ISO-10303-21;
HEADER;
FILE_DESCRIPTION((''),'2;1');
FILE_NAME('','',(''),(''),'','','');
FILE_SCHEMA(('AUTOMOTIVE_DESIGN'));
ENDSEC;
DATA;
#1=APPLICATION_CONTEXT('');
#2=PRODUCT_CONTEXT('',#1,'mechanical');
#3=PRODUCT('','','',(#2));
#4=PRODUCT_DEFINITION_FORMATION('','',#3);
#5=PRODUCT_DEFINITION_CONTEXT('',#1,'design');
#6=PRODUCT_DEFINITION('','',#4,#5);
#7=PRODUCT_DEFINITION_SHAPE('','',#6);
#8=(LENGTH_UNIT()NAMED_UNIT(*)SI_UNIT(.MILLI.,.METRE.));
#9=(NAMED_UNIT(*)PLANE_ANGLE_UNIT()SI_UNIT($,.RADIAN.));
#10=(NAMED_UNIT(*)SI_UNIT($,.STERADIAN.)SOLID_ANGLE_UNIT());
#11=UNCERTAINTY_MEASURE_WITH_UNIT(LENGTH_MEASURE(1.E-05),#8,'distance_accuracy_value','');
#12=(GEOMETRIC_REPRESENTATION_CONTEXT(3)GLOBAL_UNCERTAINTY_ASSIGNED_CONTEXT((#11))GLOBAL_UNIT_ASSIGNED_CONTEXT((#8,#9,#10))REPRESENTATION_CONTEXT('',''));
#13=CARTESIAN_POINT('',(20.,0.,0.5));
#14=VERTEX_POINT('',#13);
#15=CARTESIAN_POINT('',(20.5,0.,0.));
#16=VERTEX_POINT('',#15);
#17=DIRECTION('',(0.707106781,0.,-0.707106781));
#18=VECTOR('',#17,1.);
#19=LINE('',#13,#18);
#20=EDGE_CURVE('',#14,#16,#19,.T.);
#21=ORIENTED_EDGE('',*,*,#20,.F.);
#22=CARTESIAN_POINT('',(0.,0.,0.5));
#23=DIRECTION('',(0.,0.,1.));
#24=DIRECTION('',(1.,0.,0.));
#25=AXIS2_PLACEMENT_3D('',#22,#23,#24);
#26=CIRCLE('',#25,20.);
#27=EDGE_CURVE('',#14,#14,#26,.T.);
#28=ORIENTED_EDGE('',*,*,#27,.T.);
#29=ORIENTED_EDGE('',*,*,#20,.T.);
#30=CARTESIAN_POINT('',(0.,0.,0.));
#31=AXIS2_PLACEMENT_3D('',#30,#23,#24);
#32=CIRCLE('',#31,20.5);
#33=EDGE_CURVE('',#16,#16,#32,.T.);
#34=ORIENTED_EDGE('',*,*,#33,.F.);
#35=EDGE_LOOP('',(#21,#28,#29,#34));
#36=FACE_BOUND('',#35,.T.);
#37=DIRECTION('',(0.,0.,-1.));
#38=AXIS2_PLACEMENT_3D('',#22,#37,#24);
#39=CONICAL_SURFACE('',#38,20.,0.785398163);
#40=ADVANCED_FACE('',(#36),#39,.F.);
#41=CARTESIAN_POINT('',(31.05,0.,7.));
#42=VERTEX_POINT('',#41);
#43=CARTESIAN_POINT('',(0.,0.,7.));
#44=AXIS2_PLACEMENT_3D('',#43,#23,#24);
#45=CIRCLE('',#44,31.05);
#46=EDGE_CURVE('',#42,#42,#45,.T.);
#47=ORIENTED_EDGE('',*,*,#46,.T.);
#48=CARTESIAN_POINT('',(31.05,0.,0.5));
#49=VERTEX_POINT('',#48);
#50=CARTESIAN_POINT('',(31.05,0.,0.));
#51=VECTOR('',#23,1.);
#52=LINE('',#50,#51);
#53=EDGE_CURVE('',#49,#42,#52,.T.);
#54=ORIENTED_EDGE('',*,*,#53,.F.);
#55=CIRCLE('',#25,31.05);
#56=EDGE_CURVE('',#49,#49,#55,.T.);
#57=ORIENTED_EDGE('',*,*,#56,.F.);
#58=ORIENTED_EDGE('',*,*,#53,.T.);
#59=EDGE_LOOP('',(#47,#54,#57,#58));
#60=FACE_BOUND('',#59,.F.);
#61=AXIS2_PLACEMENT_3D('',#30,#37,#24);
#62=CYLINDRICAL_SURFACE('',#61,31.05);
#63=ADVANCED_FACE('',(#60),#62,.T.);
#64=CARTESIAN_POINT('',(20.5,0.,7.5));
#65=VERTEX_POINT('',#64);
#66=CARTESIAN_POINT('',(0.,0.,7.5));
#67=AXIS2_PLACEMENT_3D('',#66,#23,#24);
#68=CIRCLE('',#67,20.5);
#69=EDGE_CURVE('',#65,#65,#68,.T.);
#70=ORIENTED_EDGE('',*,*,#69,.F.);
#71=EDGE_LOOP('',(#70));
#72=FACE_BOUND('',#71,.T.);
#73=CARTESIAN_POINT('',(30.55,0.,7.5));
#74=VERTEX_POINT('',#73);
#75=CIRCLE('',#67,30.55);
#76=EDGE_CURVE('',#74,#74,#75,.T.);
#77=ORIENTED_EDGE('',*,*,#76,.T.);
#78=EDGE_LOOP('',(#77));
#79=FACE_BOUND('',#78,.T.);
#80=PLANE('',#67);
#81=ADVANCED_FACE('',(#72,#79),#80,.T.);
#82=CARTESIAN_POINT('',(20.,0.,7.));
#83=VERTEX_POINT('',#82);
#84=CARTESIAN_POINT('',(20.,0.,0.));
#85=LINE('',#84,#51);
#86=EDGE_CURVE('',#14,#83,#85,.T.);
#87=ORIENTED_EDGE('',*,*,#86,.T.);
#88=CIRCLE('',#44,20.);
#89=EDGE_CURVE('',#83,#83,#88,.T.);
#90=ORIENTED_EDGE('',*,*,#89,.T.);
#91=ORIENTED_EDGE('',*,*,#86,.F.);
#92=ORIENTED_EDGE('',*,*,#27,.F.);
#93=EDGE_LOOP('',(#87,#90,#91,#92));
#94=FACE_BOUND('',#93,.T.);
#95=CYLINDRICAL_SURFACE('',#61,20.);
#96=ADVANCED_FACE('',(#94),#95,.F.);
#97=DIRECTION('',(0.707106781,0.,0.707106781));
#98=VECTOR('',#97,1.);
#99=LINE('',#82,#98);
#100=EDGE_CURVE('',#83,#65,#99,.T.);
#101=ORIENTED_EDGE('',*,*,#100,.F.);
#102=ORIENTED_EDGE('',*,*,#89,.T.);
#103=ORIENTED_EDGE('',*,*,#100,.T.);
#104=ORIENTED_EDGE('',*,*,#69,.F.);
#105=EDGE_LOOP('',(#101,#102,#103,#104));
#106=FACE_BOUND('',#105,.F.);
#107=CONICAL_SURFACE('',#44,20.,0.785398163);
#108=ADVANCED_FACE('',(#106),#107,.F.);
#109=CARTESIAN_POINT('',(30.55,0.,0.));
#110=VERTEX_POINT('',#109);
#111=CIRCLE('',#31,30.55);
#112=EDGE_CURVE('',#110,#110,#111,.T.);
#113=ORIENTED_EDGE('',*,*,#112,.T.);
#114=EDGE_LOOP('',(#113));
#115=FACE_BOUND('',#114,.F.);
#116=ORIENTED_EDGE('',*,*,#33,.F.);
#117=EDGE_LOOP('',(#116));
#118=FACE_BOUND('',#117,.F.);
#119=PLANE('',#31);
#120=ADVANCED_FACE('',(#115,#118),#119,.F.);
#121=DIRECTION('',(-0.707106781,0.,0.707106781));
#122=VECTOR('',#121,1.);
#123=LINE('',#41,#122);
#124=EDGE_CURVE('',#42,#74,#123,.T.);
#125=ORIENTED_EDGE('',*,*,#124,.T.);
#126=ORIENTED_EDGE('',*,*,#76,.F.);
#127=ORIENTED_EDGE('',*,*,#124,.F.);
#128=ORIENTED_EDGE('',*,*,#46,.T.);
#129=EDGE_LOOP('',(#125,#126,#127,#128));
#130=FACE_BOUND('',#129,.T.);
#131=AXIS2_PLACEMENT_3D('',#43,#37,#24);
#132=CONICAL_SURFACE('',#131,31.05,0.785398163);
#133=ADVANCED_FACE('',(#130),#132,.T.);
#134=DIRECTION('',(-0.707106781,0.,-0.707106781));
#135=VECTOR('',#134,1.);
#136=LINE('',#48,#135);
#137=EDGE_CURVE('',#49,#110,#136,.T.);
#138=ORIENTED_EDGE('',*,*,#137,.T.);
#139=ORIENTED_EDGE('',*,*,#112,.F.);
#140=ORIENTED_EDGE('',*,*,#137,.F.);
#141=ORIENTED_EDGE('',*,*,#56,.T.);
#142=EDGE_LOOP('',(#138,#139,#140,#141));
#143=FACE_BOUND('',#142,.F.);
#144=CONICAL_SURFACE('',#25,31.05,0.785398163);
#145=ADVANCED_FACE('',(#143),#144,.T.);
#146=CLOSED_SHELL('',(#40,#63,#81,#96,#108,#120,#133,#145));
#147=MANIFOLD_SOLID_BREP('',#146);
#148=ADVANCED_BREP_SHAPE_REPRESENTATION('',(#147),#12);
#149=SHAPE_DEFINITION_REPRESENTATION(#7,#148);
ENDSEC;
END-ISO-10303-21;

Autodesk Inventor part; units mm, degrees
ref_plane "YZ Plane" through (0, 0, 0) normal (1, 0, 0) x (0, 1, 0)
ref_plane "XZ Plane" through (0, 0, 0) normal (0, 1, 0) x (-1, 0, 0)
ref_plane "XY Plane" through (0, 0, 0) normal (0, 0, 1) x (1, 0, 0)
sketch "草图1" plane through (0, 0, 0) normal (0, 0, 1) x (1, 0, 0)
  circle A0 centre (0, 0) radius 31.05
  circle A1 centre (0, 0) radius 20
extrude "拉伸1" add sketch "草图1" along normal blind 7.5
chamfer "倒角1" distance 0.5 angle 45 4 edges at (-20, 0, 7.5) (-20, 0, 0) (-31.05, 0, 7.5) (-31.05, 0, 0)
properties part number "my_attempt_v2"
